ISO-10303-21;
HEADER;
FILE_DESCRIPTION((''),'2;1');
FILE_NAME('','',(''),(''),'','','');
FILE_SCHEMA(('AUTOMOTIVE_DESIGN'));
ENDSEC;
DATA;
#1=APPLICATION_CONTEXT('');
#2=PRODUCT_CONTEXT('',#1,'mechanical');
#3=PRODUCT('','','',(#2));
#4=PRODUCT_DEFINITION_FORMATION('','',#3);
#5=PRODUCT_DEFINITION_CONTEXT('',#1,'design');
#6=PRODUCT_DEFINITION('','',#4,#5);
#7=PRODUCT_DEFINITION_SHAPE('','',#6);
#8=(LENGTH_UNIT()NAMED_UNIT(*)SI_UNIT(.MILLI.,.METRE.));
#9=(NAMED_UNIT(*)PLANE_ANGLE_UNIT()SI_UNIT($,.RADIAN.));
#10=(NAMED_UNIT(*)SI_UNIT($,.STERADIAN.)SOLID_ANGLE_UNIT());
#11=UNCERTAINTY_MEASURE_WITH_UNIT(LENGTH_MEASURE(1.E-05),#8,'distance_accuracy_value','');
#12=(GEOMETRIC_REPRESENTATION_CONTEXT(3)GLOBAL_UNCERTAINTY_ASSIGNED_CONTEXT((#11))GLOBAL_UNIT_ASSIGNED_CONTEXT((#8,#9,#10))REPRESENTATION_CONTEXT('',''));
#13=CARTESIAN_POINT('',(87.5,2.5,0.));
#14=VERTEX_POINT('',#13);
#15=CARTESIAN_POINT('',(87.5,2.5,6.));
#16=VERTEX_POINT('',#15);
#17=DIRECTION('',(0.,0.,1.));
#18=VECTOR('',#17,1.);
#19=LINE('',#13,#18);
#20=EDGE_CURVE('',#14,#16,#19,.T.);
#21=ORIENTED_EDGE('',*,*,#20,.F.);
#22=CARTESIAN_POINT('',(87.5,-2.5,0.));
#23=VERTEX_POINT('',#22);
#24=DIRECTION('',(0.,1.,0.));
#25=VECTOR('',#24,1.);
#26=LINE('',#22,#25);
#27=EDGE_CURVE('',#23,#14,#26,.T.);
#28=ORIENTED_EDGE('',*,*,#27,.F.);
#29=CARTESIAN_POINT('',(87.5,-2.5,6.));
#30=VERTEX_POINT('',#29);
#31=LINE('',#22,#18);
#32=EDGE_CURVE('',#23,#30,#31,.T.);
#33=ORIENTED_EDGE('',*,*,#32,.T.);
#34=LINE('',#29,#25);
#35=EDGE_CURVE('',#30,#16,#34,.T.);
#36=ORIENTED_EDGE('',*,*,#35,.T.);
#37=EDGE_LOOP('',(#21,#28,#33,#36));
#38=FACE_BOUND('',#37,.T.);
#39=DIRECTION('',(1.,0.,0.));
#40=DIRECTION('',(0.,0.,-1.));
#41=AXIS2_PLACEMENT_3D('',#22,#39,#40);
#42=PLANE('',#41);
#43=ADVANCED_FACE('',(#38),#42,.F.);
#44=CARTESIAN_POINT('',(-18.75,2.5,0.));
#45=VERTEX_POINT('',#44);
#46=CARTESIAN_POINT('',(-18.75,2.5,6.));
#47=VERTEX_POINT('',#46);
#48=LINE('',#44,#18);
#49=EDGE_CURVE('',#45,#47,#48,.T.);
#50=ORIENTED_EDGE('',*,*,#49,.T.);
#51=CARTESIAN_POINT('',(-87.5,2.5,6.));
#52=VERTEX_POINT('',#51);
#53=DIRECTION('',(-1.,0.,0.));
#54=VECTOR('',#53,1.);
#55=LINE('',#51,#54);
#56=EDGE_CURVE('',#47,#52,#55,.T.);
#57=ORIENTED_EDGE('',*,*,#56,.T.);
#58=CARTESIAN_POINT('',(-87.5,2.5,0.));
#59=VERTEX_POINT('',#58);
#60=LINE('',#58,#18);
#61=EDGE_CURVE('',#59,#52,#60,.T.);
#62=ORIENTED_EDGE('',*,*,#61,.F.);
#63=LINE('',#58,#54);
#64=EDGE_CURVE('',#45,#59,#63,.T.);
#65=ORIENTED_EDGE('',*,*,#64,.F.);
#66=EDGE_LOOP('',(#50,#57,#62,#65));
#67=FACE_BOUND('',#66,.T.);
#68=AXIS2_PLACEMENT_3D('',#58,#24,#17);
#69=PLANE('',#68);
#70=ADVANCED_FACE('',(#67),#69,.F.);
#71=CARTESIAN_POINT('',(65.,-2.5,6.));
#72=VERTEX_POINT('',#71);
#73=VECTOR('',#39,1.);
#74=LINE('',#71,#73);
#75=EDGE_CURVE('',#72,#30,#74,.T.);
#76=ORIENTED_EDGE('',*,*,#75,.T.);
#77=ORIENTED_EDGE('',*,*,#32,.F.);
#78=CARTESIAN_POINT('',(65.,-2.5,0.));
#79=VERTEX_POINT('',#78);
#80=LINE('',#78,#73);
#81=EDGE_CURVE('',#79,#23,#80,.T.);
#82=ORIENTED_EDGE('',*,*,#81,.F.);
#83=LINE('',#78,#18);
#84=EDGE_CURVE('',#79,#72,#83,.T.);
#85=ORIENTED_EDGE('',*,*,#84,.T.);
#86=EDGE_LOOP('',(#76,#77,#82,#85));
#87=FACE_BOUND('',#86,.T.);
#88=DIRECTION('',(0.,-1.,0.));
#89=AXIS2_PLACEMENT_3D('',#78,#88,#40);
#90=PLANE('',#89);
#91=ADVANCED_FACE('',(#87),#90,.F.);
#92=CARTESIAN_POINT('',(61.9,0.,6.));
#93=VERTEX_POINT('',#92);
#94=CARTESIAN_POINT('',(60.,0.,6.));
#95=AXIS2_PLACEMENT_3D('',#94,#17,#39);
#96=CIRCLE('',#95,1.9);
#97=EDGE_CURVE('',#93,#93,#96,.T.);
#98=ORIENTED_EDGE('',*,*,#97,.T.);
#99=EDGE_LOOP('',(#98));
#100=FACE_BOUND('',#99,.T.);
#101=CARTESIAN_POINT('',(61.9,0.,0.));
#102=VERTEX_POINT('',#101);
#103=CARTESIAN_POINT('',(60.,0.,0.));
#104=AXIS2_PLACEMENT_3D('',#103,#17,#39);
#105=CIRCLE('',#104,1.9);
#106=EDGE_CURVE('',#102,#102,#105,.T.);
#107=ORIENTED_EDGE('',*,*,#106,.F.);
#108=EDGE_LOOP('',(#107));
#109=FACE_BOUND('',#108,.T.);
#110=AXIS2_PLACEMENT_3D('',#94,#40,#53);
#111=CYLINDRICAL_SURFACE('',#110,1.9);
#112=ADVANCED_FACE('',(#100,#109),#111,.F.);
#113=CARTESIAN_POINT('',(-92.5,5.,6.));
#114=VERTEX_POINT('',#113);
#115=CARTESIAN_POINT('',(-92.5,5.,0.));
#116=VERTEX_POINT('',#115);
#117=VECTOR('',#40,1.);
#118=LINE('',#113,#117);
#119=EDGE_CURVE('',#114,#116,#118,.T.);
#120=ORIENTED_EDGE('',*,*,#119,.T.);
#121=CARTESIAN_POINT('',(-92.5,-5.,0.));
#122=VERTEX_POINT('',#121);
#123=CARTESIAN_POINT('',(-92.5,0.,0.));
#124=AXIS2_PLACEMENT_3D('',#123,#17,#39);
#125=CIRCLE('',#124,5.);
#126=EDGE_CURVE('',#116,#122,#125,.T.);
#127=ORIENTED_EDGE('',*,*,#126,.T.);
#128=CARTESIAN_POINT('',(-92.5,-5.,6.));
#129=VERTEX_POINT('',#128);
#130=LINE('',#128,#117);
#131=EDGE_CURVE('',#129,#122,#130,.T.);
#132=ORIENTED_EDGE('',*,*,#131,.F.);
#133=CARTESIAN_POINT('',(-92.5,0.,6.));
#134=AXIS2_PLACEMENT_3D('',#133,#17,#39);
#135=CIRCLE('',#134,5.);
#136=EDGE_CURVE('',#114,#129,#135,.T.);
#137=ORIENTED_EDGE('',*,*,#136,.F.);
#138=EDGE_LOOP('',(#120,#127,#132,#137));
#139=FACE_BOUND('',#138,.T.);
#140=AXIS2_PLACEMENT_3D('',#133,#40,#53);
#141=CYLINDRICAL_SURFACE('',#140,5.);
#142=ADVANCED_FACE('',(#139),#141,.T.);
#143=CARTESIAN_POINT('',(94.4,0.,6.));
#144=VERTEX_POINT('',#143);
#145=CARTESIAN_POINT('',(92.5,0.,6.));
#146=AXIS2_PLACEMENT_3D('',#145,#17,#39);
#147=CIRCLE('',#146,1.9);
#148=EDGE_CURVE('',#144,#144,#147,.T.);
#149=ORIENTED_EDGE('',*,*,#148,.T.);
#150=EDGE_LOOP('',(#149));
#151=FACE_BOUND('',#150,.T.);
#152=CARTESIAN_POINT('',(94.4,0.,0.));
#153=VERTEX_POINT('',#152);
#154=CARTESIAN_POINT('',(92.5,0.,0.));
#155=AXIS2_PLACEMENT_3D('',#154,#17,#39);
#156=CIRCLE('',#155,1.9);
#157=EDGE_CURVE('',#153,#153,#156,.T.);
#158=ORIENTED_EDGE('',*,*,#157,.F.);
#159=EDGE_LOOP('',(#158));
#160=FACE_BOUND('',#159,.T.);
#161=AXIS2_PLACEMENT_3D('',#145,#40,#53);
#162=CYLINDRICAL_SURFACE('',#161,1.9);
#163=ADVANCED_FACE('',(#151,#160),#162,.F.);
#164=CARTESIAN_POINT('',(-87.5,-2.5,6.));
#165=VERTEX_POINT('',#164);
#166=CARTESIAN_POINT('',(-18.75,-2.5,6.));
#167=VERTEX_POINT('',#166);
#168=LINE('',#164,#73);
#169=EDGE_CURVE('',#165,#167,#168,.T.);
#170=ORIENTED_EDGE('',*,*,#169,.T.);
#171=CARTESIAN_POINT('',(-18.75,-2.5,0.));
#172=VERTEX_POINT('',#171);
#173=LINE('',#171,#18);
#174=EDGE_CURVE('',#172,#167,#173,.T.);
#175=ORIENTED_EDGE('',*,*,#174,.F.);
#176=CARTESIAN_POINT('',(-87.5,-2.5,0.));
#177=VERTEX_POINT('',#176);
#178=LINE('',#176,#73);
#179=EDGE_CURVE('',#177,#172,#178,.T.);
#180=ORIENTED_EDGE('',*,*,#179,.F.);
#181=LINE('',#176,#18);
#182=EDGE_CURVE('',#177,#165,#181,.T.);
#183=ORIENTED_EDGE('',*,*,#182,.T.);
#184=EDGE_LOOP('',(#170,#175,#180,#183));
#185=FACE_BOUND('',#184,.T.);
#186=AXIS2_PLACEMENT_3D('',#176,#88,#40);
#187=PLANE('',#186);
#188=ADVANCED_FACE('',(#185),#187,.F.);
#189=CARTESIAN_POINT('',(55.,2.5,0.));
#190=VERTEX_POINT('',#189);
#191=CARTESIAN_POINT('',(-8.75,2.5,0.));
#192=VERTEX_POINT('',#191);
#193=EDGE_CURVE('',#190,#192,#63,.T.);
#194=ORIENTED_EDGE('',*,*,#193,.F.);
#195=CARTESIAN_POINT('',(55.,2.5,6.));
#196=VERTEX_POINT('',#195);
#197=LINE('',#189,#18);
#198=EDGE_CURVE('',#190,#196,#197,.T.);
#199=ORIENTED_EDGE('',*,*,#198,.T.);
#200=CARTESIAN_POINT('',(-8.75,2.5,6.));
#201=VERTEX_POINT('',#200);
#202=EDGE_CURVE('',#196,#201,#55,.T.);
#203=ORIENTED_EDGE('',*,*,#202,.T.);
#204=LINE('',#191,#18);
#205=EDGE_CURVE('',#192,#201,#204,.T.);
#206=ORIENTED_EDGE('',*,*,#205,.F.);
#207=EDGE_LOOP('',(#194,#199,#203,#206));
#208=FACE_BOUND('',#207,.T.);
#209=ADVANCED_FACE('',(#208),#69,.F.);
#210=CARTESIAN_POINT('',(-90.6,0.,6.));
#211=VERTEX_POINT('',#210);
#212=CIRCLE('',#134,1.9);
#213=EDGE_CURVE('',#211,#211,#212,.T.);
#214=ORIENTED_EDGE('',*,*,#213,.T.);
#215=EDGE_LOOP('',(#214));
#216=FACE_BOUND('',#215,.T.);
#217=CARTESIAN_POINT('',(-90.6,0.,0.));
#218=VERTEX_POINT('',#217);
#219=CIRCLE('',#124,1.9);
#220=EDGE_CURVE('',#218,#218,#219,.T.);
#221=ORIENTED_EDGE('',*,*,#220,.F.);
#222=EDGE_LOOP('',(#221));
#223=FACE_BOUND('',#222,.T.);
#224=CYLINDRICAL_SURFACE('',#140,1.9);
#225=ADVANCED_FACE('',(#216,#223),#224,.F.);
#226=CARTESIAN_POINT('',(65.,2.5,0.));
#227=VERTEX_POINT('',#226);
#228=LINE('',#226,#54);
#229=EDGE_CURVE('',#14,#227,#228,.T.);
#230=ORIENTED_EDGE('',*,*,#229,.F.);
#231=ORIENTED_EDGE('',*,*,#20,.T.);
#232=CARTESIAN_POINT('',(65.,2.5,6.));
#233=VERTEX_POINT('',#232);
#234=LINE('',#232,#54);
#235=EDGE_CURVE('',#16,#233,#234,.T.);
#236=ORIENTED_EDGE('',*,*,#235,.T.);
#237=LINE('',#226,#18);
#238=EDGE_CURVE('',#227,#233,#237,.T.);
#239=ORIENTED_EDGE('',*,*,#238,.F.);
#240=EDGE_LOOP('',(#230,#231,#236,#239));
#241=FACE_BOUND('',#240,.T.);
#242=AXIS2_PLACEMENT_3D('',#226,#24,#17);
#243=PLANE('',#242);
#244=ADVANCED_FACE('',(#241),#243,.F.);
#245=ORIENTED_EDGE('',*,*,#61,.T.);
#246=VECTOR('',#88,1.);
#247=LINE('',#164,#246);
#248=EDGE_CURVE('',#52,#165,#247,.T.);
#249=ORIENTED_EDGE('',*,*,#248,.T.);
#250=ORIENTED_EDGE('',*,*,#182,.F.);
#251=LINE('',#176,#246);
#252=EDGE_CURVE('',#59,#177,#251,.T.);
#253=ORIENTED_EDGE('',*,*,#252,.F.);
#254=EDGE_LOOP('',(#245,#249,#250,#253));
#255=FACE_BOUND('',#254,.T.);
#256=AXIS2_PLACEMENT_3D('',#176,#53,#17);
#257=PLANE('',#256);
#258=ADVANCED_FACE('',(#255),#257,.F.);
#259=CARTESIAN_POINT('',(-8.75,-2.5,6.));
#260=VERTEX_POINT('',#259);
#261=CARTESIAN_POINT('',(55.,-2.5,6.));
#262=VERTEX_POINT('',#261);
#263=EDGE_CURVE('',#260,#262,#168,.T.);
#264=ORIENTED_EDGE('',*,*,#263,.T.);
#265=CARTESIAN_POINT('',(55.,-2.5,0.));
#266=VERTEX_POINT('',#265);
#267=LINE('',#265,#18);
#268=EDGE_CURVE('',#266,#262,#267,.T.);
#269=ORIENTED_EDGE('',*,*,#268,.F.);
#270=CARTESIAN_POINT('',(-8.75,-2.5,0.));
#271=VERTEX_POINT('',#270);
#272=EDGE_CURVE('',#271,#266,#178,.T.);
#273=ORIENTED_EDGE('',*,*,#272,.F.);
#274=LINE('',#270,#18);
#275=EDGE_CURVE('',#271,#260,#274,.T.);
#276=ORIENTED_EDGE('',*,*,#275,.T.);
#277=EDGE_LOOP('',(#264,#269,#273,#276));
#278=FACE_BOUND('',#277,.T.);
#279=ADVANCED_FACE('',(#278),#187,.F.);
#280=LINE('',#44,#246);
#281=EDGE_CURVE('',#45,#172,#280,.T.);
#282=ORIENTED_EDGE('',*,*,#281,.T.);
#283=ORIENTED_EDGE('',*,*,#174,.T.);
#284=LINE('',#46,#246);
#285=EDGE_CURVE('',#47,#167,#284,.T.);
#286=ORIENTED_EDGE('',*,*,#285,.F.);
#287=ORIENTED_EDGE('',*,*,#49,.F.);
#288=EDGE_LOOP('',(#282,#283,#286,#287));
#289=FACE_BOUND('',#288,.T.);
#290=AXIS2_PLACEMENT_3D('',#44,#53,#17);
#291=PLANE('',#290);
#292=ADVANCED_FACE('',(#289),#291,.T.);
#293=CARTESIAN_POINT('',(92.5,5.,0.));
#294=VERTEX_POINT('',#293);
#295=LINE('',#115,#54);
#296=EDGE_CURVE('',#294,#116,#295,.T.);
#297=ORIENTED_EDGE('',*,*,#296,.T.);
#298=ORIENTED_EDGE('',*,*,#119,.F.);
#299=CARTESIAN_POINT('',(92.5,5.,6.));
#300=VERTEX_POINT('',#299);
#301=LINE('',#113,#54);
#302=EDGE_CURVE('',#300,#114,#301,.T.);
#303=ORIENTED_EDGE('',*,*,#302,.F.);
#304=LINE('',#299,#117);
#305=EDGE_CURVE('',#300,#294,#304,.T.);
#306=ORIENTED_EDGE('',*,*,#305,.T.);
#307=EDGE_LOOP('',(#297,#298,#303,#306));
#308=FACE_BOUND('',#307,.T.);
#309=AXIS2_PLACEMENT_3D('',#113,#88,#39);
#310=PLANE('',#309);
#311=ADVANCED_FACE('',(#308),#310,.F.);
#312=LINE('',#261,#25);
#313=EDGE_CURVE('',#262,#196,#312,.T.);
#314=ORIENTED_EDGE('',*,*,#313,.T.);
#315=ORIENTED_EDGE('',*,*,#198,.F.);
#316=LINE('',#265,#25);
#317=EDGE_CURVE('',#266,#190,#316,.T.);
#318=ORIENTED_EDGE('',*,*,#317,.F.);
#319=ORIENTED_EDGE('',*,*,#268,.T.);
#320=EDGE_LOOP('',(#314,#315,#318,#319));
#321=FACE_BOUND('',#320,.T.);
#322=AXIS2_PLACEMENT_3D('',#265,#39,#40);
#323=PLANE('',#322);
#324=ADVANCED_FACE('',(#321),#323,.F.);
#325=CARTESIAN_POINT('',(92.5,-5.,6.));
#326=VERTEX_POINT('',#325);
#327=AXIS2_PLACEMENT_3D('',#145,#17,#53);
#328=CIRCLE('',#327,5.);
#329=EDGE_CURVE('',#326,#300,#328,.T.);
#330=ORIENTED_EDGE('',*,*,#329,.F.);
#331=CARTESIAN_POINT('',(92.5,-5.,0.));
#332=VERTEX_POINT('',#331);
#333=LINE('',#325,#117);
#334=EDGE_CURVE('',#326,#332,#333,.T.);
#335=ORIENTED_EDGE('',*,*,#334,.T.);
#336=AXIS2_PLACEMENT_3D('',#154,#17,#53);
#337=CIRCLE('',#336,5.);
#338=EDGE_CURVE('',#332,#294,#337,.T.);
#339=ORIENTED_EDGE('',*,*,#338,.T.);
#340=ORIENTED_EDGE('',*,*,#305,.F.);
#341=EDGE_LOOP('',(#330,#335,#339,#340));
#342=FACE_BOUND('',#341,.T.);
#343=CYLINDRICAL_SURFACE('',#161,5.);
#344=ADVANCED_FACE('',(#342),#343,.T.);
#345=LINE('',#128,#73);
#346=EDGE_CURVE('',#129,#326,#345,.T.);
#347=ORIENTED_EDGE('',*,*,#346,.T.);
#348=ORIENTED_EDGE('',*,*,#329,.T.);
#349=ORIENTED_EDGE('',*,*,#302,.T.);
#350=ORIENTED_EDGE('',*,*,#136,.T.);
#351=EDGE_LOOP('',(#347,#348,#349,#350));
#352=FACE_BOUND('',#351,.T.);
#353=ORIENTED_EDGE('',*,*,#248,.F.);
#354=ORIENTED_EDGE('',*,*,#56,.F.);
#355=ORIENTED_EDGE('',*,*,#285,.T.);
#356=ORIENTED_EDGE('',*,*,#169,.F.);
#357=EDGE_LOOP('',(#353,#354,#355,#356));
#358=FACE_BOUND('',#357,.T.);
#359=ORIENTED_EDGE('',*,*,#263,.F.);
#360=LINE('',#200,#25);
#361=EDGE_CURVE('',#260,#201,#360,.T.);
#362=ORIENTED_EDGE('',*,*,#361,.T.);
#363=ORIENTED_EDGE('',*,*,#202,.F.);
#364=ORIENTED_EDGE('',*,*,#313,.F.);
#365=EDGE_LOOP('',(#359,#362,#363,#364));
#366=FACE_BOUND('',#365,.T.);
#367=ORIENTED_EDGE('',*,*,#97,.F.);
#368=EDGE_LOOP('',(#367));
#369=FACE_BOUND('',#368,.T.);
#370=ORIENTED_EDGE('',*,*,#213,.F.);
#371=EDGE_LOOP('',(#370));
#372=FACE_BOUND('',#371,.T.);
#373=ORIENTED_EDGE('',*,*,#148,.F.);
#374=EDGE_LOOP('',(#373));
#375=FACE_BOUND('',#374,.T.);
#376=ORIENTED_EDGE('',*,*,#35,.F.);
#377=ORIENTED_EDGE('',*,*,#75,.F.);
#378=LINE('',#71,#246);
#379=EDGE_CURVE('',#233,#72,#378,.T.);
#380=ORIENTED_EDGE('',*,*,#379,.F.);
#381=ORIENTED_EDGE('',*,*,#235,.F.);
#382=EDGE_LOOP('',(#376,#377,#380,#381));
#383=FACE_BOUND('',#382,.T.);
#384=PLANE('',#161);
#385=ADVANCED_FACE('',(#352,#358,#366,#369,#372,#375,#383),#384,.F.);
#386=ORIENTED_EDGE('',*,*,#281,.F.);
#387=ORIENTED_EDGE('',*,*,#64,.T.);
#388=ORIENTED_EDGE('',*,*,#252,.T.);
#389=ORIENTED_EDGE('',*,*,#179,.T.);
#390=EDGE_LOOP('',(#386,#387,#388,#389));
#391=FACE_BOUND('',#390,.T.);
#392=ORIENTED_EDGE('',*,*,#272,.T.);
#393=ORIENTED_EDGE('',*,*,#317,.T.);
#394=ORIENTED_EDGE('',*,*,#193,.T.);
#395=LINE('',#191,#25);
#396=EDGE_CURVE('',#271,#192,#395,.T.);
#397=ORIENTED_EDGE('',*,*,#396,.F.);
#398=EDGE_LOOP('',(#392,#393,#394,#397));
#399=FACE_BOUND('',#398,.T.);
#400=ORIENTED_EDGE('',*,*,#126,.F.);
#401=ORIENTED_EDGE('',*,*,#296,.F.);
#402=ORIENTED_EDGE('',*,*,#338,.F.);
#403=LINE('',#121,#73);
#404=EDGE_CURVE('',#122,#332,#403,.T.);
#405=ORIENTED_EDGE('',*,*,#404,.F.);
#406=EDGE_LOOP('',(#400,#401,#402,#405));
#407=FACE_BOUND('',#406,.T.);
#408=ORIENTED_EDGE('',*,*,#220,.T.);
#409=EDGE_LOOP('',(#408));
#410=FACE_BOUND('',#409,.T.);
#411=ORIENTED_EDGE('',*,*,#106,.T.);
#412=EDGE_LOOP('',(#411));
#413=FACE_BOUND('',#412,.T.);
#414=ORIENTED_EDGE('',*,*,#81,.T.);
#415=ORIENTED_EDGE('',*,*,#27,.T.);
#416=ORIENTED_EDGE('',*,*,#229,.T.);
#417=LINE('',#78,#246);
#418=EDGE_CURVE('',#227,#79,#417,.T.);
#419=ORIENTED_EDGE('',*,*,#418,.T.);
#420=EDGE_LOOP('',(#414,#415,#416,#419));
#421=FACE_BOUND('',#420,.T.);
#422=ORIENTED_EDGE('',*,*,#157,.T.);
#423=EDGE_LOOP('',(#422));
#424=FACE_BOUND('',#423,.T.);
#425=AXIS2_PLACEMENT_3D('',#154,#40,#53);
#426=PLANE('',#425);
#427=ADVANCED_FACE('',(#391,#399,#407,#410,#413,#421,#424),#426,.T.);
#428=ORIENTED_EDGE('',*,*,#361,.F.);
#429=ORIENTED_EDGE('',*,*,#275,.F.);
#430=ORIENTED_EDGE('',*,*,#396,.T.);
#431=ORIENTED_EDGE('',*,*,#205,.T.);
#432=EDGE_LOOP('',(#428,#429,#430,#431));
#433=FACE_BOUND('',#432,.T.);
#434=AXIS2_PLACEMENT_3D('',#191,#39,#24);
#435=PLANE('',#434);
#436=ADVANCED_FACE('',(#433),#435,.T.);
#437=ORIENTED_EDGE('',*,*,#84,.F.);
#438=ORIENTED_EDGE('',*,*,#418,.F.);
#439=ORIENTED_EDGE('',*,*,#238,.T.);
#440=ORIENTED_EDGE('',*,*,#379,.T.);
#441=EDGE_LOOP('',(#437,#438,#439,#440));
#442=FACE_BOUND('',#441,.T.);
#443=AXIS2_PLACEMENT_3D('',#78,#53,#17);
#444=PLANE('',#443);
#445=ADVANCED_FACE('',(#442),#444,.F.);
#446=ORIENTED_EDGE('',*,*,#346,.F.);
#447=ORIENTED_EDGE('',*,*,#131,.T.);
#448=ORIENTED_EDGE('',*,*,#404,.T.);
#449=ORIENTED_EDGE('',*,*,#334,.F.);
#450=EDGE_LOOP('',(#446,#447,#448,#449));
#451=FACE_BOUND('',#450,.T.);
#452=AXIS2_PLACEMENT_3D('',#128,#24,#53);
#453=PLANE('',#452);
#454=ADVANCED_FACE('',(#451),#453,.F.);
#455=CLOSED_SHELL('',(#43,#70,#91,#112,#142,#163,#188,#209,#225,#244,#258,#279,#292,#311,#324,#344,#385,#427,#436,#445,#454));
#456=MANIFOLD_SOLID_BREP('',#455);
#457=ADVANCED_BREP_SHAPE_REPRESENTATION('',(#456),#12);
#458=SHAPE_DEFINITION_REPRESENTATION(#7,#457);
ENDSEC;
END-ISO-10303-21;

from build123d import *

# Parameters (mm, degrees)
SKETCH1_R           = 1.9
BOSS_EXTRUDE1_DEPTH = 6
SKETCH2_W           = 142.5
SKETCH2_H           = 5
SKETCH2_W_2         = 22.5
CUT_EXTRUDE1_DEPTH  = 98.812320287
SKETCH3_W           = 10
SKETCH3_H           = 5
BOSS_EXTRUDE2_DEPTH = 6


with BuildPart() as part:
    # Sketch1 → Boss-Extrude1 (new body)
    with BuildSketch(Plane.XY):
        with BuildLine():
            Line((-92.5, 5), (92.5, 5))
            ThreePointArc((92.5, 5), (97.5, 0), (92.5, -5))
            Line((92.5, -5), (-92.5, -5))
            ThreePointArc((-92.5, -5), (-97.5, 0), (-92.5, 5))
        make_face()
        with Locations((-92.5, 0)):
            Circle(SKETCH1_R, mode=Mode.SUBTRACT)
        with Locations((92.5, 0)):
            Circle(SKETCH1_R, mode=Mode.SUBTRACT)
        with Locations((60, 0)):
            Circle(SKETCH1_R, mode=Mode.SUBTRACT)
    extrude(amount=BOSS_EXTRUDE1_DEPTH)

    # Sketch2 → Cut-Extrude1 (cut, through all)
    with BuildSketch(Plane.XY.offset(6)):
        with Locations((-16.25, 0)):
            Rectangle(SKETCH2_W, SKETCH2_H)
        with Locations((76.25, 0)):
            Rectangle(SKETCH2_W_2, SKETCH2_H)
    extrude(amount=-CUT_EXTRUDE1_DEPTH, mode=Mode.SUBTRACT)

    # Sketch3 → Boss-Extrude2 (add, through all)
    with BuildSketch(Plane.XY.offset(6)):
        with Locations((-13.75, 0)):
            Rectangle(SKETCH3_W, SKETCH3_H)
    extrude(amount=-BOSS_EXTRUDE2_DEPTH)


solid = part.part
